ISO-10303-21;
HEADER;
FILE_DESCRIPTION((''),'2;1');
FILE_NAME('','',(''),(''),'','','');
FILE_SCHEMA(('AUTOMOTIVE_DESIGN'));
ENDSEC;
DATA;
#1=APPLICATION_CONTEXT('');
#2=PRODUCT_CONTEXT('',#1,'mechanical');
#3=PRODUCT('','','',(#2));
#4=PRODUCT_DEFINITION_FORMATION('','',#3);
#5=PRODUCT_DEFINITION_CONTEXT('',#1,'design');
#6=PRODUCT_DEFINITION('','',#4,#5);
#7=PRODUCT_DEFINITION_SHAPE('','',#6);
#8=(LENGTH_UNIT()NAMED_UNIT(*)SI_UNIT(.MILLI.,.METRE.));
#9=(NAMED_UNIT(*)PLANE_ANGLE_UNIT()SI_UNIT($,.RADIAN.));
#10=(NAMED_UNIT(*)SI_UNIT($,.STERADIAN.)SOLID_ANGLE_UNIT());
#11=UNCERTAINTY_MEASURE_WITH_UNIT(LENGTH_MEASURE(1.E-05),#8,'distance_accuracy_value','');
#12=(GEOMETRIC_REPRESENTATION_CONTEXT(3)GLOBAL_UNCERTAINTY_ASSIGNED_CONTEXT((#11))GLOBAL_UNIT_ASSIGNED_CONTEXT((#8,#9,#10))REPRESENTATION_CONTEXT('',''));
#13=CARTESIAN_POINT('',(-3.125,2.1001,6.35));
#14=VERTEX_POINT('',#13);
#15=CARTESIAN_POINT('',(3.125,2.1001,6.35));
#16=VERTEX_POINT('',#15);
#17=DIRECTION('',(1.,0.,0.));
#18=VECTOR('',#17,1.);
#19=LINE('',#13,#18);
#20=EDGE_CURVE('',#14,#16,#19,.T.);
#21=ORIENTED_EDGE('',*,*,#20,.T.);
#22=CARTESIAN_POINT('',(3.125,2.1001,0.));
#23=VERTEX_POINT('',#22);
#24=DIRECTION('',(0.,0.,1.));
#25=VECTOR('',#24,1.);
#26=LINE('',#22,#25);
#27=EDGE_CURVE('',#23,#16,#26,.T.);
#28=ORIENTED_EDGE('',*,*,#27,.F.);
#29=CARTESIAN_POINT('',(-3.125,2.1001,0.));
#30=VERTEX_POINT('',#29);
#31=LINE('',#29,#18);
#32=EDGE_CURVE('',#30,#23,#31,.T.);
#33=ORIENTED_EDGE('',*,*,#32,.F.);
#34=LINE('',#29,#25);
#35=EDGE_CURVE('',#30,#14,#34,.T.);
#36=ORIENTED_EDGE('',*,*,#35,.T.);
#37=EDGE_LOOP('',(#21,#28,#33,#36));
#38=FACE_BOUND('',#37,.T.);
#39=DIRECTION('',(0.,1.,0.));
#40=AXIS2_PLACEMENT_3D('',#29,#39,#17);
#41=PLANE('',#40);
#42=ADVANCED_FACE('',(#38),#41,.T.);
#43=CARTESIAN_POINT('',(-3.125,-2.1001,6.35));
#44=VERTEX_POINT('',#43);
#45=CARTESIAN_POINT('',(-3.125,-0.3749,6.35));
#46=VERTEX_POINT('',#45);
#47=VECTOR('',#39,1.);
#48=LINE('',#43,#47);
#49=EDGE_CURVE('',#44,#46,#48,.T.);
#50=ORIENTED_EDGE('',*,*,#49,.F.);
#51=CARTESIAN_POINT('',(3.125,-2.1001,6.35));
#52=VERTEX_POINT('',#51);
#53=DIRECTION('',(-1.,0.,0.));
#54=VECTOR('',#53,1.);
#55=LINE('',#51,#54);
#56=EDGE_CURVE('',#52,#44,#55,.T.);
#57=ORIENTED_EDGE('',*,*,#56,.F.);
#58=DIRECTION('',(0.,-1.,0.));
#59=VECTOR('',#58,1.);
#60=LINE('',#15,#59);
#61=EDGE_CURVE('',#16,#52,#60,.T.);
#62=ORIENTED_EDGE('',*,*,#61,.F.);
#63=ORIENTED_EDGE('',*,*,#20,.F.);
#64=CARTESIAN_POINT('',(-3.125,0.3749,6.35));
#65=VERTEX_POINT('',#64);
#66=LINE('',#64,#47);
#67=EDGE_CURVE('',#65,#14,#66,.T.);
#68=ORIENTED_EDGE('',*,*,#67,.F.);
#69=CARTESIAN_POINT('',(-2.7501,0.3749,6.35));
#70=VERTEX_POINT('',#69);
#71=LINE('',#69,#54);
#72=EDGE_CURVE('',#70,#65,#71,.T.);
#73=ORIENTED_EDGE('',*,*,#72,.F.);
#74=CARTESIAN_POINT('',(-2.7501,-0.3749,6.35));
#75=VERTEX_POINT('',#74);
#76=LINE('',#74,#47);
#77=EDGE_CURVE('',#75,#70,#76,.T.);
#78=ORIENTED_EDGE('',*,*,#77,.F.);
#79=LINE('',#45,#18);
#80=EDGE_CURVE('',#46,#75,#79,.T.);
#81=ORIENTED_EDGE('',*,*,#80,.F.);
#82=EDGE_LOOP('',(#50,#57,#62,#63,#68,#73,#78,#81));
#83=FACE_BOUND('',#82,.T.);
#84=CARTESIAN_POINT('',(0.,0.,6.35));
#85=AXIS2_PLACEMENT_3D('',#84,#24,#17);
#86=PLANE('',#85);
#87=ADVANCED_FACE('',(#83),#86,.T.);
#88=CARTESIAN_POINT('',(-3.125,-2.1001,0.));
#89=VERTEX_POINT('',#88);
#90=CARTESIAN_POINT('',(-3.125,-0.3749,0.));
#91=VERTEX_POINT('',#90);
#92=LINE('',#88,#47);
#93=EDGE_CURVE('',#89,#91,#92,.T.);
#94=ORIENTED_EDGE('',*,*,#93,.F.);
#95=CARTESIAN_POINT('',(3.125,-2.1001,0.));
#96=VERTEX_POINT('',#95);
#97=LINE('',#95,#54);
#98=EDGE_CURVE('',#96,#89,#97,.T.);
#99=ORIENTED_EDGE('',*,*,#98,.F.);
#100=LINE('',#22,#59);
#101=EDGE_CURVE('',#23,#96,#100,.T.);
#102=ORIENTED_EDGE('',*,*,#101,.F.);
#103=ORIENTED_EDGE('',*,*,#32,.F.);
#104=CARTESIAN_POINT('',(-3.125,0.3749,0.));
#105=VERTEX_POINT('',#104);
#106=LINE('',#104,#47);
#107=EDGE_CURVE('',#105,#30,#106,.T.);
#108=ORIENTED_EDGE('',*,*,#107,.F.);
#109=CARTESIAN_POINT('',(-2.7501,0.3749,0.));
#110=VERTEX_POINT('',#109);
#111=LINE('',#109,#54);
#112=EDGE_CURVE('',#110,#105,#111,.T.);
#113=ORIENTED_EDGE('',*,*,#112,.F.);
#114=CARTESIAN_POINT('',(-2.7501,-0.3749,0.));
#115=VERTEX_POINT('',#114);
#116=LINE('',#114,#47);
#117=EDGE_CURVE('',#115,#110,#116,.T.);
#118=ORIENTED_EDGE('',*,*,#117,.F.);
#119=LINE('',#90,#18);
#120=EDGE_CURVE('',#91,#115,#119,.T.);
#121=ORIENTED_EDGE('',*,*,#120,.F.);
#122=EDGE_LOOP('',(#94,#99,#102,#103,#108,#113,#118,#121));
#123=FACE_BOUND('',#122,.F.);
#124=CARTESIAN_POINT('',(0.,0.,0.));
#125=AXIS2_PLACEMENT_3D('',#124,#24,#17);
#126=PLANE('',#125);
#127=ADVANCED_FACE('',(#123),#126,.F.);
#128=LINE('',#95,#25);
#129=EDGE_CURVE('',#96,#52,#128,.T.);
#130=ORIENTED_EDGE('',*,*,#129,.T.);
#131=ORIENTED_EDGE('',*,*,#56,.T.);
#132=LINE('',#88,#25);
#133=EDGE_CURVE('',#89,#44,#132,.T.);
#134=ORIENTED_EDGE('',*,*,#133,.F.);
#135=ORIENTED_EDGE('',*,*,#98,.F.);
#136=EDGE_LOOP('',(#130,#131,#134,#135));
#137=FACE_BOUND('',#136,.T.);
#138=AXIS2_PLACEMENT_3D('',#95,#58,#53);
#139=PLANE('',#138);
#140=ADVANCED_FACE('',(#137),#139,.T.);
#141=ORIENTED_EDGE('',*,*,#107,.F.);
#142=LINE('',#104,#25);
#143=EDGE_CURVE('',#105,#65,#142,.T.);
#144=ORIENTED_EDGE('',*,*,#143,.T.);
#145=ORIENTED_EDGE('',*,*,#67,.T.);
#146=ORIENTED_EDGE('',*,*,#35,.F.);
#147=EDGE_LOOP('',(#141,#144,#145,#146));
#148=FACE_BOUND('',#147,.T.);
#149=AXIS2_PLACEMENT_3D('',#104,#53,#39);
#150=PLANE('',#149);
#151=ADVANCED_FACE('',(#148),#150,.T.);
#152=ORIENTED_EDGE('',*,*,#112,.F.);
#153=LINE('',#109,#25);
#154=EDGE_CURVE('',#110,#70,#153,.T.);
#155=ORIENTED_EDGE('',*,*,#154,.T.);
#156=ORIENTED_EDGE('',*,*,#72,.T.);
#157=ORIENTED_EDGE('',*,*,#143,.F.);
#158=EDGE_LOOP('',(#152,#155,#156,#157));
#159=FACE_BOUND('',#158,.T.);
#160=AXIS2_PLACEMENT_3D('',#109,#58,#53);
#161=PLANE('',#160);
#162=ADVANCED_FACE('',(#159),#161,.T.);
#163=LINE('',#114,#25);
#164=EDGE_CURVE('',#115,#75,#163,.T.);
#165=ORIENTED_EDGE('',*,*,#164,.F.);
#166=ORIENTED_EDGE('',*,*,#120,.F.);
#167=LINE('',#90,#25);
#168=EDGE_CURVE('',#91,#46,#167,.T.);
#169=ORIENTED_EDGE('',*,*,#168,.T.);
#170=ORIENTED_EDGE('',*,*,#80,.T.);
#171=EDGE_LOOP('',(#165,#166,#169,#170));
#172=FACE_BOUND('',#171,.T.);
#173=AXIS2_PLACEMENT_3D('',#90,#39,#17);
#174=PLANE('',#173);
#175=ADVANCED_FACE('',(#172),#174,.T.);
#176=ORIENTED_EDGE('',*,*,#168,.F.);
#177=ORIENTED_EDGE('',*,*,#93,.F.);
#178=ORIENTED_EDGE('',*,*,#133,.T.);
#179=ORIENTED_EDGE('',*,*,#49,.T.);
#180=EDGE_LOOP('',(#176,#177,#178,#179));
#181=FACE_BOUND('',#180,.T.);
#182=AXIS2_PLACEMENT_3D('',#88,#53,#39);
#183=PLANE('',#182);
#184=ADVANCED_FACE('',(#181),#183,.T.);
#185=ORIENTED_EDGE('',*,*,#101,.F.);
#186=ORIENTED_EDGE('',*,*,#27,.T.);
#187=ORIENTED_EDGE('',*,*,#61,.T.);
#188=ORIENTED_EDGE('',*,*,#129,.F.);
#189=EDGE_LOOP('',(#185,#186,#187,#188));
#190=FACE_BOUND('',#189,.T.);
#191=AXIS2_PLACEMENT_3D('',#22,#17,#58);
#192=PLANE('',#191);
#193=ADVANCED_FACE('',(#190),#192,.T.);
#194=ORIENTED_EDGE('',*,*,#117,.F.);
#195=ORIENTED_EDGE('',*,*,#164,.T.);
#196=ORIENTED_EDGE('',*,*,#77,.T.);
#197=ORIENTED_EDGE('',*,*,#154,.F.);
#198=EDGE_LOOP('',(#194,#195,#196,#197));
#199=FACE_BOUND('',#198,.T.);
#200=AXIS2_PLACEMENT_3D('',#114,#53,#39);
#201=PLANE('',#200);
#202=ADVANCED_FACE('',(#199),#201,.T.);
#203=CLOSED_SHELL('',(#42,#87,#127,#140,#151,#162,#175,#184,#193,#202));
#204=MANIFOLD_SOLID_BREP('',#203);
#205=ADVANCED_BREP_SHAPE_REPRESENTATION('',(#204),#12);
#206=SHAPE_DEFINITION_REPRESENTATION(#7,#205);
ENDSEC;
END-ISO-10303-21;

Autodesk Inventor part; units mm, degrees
ref_plane "YZ Plane" through (0, 0, 0) normal (1, 0, 0) x (0, 1, 0)
ref_plane "XZ Plane" through (0, 0, 0) normal (0, 1, 0) x (-1, 0, 0)
ref_plane "XY Plane" through (0, 0, 0) normal (0, 0, 1) x (1, 0, 0)
sketch "R-PDSO-G20, TXB0108PWR_35" plane through (0, 0, 0) normal (0, 0, 1) x (1, 0, 0)
  line L0 (-3.125, 2.1001) -> (3.125, 2.1001)
  line L1 (3.125, 2.1001) -> (3.125, -2.1001)
  line L2 (3.125, -2.1001) -> (-3.125, -2.1001)
  line L3 (-3.125, -2.1001) -> (-3.125, -0.3749)
  line L4 (-3.125, -0.3749) -> (-2.7501, -0.3749)
  line L5 (-2.7501, -0.3749) -> (-2.7501, 0.3749)
  line L6 (-2.7501, 0.3749) -> (-3.125, 0.3749)
  line L7 (-3.125, 0.3749) -> (-3.125, 2.1001)
extrude "Extrusion1" add sketch "R-PDSO-G20, TXB0108PWR_35" along normal blind 6.35
properties part number "TXB0108PWR"
